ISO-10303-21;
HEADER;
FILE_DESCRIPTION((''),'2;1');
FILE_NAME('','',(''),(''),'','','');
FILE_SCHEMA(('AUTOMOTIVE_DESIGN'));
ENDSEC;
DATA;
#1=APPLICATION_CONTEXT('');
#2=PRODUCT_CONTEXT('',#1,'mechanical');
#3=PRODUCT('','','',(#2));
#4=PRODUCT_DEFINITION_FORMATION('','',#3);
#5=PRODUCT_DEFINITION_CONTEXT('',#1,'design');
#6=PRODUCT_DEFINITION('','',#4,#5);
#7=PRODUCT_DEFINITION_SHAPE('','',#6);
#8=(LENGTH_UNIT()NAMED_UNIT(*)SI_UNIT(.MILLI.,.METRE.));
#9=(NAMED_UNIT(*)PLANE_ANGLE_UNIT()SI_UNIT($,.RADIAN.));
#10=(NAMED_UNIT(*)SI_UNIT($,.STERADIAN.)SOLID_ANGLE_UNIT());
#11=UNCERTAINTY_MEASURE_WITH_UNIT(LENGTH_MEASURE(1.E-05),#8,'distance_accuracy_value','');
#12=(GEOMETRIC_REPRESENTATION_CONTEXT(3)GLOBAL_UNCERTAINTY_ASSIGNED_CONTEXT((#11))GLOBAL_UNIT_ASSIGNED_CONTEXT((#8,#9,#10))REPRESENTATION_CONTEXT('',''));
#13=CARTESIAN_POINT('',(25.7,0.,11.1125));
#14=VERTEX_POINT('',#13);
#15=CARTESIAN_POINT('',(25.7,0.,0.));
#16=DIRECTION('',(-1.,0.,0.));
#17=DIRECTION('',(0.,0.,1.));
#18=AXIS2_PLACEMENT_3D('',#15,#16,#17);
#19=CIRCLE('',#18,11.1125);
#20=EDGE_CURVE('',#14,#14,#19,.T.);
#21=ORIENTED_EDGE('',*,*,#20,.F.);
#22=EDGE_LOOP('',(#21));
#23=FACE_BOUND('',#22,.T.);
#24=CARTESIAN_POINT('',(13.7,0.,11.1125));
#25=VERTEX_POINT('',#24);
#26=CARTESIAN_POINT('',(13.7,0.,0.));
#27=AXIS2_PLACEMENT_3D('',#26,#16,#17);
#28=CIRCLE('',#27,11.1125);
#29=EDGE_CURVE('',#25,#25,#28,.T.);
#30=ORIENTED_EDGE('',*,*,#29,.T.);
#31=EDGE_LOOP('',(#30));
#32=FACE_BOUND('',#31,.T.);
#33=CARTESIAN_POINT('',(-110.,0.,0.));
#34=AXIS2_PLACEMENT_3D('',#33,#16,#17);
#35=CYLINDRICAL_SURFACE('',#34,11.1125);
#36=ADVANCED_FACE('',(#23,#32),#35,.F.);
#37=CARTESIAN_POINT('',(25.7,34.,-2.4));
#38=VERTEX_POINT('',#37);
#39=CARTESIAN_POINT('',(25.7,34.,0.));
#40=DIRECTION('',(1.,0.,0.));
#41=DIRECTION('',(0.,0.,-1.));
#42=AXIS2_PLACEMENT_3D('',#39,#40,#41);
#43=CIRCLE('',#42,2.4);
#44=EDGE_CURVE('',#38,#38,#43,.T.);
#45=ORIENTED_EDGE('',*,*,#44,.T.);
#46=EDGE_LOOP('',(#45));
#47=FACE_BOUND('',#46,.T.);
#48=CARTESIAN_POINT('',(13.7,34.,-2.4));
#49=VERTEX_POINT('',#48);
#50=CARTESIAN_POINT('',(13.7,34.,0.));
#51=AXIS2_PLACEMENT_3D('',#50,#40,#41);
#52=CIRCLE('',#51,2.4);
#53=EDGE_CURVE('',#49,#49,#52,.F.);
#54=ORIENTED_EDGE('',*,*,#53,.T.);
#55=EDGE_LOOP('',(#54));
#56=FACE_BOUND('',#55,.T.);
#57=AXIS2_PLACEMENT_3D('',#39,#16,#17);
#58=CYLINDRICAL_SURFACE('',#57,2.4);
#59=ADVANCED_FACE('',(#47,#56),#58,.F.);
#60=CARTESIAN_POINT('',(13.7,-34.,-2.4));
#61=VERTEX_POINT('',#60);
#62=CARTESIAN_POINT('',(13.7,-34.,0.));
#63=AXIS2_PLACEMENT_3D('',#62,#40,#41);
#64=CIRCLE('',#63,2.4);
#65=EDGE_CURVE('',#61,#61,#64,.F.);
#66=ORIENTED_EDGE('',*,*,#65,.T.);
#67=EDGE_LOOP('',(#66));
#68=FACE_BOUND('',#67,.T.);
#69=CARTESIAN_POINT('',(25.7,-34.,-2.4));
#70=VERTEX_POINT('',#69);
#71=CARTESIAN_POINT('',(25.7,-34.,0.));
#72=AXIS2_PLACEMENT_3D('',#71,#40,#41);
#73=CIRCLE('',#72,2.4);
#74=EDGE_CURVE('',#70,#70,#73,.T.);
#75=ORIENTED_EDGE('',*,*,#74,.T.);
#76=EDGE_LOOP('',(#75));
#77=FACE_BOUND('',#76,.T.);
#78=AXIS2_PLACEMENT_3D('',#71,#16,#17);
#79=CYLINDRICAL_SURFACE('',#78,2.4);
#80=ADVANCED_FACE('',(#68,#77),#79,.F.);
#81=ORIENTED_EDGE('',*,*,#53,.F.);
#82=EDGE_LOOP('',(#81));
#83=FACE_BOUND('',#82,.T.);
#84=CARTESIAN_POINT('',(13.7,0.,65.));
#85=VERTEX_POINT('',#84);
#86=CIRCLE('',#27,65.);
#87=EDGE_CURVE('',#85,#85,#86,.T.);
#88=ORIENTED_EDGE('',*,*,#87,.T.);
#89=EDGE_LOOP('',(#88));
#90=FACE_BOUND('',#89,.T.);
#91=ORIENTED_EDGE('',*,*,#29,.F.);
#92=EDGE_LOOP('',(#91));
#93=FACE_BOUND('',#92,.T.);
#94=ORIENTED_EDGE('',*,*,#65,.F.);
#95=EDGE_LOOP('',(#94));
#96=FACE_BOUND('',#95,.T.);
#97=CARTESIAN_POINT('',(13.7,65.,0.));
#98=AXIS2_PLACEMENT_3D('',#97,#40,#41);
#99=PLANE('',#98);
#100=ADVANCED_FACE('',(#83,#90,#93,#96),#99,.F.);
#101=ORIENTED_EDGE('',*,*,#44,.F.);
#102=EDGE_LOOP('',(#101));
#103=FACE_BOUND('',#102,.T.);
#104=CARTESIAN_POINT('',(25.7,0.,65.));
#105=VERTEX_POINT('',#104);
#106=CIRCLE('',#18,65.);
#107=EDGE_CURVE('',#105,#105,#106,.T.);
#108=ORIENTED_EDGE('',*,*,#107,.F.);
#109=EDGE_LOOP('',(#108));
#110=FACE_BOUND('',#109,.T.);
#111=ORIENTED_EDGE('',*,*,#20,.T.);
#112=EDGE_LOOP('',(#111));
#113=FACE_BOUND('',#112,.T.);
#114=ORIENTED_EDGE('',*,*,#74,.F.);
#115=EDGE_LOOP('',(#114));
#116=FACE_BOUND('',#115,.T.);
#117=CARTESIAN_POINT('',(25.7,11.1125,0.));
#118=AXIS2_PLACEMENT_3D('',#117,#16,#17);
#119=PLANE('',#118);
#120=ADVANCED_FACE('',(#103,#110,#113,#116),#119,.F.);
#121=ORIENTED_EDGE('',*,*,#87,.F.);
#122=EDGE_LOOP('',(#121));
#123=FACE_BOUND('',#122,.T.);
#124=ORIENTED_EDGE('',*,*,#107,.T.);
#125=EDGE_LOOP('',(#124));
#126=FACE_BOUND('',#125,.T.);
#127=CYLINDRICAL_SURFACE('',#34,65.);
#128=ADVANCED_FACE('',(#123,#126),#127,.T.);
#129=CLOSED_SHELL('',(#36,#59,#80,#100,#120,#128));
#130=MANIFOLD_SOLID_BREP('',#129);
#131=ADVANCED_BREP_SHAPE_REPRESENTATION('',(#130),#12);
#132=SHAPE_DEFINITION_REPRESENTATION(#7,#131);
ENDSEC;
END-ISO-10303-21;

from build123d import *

# Parameters (mm, degrees)
AXIAL_PROFILE_MM_W     = 12
AXIAL_PROFILE_MM_H     = 53.8875
AXIAL_HOLES_DEPTH      = 96.448886845
AXIAL_HOLES_DEPTH_BACK = 96.448886845
SKETCH2_R              = 2.4


with BuildPart() as part:
    # Axial profile (mm) → Full revolution (revolve)
    with BuildSketch(Plane.XY, mode=Mode.PRIVATE) as full_revolution_sk:
        with Locations((19.7, 38.05625)):
            Rectangle(AXIAL_PROFILE_MM_W, AXIAL_PROFILE_MM_H)
    revolve(full_revolution_sk.sketch.rotate(Axis((-110, 0, 0), (1, 0, 0)), 90), axis=Axis((-110, 0, 0), (1, 0, 0)))

    # Sketch2 → Axial holes (cut, two sides: drawn at the far end of the back side and taken through both)
    with BuildSketch(Plane(origin=(0, 0, 0), x_dir=(0, 0, -1), z_dir=(1, 0, 0)).offset(-AXIAL_HOLES_DEPTH_BACK)):
        with Locations((0, 34)):
            Circle(SKETCH2_R)
        with Locations((0, -34)):
            Circle(SKETCH2_R)
    extrude(amount=AXIAL_HOLES_DEPTH + AXIAL_HOLES_DEPTH_BACK, mode=Mode.SUBTRACT)


solid = part.part
